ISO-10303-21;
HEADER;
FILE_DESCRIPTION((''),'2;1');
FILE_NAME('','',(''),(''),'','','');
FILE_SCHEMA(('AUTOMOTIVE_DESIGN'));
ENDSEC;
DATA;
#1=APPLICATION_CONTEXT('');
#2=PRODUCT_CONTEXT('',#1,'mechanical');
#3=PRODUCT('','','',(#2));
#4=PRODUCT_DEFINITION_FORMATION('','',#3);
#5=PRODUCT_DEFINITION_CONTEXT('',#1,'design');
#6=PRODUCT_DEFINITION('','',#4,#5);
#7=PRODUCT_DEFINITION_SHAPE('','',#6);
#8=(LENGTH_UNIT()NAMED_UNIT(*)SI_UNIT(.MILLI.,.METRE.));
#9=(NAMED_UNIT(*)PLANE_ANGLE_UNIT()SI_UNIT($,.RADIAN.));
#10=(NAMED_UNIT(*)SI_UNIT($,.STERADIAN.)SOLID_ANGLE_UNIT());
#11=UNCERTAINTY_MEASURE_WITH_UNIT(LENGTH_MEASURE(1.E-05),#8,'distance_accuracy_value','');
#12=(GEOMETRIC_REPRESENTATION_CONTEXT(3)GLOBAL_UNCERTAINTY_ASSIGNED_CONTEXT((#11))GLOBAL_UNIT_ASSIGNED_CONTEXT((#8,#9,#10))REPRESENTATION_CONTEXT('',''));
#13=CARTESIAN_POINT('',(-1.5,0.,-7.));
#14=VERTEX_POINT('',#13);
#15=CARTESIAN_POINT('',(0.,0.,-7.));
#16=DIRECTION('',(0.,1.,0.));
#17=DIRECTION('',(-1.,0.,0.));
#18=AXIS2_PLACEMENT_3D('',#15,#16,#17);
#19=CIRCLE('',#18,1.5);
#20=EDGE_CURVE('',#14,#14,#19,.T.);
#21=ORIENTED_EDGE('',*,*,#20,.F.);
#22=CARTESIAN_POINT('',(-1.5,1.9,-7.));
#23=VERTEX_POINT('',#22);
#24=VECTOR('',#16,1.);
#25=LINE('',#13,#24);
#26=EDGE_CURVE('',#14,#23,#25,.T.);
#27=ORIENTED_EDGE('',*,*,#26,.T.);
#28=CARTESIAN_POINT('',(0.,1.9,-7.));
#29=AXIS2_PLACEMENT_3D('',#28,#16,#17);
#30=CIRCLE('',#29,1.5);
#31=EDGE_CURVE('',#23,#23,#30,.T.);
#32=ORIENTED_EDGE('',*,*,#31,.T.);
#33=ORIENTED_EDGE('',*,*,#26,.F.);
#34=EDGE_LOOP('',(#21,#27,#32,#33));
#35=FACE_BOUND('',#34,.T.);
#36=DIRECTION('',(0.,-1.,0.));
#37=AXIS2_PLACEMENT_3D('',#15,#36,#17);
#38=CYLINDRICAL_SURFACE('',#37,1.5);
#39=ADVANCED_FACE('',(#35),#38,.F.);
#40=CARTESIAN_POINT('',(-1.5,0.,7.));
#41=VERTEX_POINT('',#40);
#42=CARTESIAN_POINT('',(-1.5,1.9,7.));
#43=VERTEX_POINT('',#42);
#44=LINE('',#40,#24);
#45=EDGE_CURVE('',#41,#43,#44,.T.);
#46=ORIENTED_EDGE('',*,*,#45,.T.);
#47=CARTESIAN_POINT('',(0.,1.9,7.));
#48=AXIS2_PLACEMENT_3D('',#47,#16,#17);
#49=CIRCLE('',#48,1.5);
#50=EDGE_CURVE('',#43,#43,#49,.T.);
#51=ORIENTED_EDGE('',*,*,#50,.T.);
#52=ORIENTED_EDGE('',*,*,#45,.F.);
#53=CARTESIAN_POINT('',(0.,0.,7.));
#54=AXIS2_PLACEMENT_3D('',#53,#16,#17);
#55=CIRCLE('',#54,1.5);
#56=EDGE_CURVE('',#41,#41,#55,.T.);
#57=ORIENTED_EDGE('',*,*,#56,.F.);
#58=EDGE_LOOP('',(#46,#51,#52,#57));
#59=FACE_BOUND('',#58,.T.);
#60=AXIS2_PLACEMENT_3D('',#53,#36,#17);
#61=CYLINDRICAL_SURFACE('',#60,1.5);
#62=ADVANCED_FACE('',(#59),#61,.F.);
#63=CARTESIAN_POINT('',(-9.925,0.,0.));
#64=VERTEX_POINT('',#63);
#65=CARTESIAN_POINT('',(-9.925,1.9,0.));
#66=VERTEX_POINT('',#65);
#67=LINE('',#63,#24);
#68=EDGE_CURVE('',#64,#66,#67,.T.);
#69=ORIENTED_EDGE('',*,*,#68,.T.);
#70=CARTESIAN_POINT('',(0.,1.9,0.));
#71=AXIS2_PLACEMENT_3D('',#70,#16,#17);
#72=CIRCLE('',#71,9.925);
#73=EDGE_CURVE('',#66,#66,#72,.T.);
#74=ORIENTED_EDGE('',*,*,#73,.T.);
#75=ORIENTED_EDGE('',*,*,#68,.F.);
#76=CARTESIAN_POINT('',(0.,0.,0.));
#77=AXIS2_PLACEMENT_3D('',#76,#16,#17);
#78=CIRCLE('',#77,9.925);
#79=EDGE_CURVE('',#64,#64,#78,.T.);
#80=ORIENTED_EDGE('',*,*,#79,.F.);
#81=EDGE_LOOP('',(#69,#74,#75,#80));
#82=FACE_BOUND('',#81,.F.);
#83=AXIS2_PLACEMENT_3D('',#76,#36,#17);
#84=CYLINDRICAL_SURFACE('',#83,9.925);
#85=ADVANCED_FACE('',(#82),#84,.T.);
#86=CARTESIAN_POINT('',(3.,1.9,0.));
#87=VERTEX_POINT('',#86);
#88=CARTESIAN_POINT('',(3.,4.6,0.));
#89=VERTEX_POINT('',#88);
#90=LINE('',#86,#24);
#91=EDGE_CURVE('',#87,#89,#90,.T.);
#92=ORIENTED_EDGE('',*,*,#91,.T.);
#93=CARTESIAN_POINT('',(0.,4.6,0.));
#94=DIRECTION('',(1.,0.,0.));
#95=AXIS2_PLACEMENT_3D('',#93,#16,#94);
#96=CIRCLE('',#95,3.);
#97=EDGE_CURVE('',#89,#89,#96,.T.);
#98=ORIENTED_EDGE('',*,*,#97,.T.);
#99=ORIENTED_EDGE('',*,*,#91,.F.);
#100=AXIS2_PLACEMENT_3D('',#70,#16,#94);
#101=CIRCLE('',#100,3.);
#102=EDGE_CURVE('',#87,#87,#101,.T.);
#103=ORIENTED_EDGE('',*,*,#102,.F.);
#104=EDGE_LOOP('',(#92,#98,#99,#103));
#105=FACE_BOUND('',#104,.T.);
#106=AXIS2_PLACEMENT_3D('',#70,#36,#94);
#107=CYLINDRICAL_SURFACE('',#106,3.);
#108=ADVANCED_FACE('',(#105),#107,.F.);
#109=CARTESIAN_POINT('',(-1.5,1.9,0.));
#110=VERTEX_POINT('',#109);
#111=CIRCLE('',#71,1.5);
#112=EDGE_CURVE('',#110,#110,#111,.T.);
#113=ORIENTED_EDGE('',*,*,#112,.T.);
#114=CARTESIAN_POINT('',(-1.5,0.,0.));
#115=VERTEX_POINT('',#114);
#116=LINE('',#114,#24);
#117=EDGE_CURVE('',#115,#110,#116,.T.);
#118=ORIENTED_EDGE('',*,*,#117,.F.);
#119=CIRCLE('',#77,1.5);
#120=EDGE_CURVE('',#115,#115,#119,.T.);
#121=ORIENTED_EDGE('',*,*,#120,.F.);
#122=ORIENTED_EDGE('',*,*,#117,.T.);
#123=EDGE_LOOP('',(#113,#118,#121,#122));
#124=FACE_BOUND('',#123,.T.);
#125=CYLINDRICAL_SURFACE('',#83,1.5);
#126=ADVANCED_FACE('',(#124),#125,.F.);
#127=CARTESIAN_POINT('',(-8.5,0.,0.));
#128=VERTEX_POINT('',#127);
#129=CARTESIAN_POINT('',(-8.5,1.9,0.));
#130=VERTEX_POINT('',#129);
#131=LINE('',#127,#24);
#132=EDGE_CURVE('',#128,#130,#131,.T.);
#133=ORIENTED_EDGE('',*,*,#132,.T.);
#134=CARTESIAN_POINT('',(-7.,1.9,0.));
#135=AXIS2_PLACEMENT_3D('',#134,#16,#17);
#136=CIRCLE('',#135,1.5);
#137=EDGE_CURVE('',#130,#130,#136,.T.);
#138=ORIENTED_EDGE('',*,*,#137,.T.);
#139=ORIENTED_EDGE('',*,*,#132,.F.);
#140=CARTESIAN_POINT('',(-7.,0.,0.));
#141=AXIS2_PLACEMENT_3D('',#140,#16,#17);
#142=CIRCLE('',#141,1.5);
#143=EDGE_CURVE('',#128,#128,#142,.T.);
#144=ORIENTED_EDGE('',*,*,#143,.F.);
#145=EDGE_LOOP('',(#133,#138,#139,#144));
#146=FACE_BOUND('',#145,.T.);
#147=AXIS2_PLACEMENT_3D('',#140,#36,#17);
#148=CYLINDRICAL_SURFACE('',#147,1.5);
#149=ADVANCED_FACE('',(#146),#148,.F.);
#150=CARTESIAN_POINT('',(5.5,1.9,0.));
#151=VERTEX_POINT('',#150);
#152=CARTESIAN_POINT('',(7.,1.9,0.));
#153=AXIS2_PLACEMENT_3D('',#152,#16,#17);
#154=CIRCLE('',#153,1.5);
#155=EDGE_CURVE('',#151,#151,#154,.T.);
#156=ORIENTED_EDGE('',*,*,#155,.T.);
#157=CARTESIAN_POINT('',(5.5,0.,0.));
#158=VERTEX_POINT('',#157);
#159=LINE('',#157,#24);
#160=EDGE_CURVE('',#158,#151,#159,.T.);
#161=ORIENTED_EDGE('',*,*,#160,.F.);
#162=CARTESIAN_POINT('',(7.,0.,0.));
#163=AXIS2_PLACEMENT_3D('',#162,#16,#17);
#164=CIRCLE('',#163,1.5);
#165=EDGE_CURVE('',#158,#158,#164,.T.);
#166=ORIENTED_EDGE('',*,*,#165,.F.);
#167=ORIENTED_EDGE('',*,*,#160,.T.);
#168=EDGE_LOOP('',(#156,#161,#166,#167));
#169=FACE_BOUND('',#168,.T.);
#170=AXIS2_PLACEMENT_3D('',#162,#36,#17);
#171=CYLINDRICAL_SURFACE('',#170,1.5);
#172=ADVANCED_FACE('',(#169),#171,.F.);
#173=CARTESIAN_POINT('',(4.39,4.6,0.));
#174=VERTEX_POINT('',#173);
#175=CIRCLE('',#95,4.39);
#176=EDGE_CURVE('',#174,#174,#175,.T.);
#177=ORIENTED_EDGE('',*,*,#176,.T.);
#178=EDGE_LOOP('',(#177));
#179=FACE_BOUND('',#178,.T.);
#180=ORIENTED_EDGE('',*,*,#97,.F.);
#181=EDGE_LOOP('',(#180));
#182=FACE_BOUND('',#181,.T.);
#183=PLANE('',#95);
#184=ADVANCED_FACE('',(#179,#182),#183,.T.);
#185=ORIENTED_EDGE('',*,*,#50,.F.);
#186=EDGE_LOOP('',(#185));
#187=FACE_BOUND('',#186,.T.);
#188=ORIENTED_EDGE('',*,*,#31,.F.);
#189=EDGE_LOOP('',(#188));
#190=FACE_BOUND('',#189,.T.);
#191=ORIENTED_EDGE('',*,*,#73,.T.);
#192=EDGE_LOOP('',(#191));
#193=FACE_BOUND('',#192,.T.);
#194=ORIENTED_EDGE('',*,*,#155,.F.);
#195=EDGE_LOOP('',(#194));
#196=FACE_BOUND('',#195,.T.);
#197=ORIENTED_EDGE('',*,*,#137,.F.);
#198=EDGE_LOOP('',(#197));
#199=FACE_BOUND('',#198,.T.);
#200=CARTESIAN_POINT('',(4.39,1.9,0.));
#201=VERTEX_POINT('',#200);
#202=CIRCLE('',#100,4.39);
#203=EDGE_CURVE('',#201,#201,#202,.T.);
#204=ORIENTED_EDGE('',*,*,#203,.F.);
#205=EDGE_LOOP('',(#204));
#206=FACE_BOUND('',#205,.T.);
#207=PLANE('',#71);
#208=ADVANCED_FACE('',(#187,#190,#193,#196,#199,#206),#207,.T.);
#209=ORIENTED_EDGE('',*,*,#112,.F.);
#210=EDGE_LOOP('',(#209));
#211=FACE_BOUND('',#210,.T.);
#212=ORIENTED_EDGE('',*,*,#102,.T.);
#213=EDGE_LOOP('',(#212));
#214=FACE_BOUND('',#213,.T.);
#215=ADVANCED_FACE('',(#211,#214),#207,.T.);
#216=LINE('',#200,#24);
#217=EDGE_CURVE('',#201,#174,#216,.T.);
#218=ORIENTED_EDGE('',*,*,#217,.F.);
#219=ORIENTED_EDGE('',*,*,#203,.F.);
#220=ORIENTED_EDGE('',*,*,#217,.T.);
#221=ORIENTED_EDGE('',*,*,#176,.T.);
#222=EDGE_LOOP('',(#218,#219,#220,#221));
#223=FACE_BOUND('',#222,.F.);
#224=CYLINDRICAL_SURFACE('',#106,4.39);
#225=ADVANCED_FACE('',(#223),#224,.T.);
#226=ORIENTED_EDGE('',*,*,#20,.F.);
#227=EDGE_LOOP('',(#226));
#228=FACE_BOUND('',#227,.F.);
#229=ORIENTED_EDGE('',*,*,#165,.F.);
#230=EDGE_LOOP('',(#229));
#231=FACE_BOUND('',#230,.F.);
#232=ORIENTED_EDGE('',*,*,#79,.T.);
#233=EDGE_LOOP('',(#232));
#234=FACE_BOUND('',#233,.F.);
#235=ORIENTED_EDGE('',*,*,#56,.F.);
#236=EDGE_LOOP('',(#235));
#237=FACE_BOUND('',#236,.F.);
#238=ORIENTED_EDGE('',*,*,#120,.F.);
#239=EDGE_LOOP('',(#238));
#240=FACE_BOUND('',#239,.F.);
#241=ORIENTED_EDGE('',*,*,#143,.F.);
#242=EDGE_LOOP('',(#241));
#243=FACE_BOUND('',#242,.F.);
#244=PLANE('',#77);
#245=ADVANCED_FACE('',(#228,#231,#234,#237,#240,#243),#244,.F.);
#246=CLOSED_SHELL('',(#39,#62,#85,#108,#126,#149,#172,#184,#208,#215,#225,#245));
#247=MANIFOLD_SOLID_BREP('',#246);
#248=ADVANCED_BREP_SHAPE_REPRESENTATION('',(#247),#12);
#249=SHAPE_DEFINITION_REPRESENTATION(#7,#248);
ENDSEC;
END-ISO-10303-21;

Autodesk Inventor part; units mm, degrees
ref_plane "YZ Plane" through (0, 0, 0) normal (1, 0, 0) x (0, 1, 0)
ref_plane "XZ Plane" through (0, 0, 0) normal (0, 1, 0) x (-1, 0, 0)
ref_plane "XY Plane" through (0, 0, 0) normal (0, 0, 1) x (1, 0, 0)
sketch "Sketch14" plane through (0, 0, 0) normal (0, 1, 0) x (-1, 0, 0)
  circle A0 centre (0, 0) radius 9.925
  circle A1 centre (0, 0) radius 7 construction
  circle A2 centre (7, 0) radius 1.5
  circle A3 centre (0, 7) radius 1.5
  circle A4 centre (-7, 0) radius 1.5
  circle A5 centre (0, -7) radius 1.5
  circle A6 centre (0, 0) radius 1.5
  dimension "d70" = 14
  dimension "d63" = 19.85
  dimension "d64" = 3
  dimension "d67" = 360
  dimension "d71" = 3
extrude "Extrusion11" add sketch "Sketch14" along normal blind 1.9
sketch "Sketch15" plane through (0, 1.9, 0) normal (0, 1, 0) x (1, 0, 0)
  circle A0 centre (0, 0) radius 1.5 projected
  circle A1 centre (0, 0) radius 4.39
  circle A2 centre (0, 0) radius 3
  dimension "d74" = 8.78
  dimension "d75" = 6
extrude "Extrusion12" add sketch "Sketch15" along normal blind 2.7 contours A1
properties part number "ServoDrive" material "Steel"
